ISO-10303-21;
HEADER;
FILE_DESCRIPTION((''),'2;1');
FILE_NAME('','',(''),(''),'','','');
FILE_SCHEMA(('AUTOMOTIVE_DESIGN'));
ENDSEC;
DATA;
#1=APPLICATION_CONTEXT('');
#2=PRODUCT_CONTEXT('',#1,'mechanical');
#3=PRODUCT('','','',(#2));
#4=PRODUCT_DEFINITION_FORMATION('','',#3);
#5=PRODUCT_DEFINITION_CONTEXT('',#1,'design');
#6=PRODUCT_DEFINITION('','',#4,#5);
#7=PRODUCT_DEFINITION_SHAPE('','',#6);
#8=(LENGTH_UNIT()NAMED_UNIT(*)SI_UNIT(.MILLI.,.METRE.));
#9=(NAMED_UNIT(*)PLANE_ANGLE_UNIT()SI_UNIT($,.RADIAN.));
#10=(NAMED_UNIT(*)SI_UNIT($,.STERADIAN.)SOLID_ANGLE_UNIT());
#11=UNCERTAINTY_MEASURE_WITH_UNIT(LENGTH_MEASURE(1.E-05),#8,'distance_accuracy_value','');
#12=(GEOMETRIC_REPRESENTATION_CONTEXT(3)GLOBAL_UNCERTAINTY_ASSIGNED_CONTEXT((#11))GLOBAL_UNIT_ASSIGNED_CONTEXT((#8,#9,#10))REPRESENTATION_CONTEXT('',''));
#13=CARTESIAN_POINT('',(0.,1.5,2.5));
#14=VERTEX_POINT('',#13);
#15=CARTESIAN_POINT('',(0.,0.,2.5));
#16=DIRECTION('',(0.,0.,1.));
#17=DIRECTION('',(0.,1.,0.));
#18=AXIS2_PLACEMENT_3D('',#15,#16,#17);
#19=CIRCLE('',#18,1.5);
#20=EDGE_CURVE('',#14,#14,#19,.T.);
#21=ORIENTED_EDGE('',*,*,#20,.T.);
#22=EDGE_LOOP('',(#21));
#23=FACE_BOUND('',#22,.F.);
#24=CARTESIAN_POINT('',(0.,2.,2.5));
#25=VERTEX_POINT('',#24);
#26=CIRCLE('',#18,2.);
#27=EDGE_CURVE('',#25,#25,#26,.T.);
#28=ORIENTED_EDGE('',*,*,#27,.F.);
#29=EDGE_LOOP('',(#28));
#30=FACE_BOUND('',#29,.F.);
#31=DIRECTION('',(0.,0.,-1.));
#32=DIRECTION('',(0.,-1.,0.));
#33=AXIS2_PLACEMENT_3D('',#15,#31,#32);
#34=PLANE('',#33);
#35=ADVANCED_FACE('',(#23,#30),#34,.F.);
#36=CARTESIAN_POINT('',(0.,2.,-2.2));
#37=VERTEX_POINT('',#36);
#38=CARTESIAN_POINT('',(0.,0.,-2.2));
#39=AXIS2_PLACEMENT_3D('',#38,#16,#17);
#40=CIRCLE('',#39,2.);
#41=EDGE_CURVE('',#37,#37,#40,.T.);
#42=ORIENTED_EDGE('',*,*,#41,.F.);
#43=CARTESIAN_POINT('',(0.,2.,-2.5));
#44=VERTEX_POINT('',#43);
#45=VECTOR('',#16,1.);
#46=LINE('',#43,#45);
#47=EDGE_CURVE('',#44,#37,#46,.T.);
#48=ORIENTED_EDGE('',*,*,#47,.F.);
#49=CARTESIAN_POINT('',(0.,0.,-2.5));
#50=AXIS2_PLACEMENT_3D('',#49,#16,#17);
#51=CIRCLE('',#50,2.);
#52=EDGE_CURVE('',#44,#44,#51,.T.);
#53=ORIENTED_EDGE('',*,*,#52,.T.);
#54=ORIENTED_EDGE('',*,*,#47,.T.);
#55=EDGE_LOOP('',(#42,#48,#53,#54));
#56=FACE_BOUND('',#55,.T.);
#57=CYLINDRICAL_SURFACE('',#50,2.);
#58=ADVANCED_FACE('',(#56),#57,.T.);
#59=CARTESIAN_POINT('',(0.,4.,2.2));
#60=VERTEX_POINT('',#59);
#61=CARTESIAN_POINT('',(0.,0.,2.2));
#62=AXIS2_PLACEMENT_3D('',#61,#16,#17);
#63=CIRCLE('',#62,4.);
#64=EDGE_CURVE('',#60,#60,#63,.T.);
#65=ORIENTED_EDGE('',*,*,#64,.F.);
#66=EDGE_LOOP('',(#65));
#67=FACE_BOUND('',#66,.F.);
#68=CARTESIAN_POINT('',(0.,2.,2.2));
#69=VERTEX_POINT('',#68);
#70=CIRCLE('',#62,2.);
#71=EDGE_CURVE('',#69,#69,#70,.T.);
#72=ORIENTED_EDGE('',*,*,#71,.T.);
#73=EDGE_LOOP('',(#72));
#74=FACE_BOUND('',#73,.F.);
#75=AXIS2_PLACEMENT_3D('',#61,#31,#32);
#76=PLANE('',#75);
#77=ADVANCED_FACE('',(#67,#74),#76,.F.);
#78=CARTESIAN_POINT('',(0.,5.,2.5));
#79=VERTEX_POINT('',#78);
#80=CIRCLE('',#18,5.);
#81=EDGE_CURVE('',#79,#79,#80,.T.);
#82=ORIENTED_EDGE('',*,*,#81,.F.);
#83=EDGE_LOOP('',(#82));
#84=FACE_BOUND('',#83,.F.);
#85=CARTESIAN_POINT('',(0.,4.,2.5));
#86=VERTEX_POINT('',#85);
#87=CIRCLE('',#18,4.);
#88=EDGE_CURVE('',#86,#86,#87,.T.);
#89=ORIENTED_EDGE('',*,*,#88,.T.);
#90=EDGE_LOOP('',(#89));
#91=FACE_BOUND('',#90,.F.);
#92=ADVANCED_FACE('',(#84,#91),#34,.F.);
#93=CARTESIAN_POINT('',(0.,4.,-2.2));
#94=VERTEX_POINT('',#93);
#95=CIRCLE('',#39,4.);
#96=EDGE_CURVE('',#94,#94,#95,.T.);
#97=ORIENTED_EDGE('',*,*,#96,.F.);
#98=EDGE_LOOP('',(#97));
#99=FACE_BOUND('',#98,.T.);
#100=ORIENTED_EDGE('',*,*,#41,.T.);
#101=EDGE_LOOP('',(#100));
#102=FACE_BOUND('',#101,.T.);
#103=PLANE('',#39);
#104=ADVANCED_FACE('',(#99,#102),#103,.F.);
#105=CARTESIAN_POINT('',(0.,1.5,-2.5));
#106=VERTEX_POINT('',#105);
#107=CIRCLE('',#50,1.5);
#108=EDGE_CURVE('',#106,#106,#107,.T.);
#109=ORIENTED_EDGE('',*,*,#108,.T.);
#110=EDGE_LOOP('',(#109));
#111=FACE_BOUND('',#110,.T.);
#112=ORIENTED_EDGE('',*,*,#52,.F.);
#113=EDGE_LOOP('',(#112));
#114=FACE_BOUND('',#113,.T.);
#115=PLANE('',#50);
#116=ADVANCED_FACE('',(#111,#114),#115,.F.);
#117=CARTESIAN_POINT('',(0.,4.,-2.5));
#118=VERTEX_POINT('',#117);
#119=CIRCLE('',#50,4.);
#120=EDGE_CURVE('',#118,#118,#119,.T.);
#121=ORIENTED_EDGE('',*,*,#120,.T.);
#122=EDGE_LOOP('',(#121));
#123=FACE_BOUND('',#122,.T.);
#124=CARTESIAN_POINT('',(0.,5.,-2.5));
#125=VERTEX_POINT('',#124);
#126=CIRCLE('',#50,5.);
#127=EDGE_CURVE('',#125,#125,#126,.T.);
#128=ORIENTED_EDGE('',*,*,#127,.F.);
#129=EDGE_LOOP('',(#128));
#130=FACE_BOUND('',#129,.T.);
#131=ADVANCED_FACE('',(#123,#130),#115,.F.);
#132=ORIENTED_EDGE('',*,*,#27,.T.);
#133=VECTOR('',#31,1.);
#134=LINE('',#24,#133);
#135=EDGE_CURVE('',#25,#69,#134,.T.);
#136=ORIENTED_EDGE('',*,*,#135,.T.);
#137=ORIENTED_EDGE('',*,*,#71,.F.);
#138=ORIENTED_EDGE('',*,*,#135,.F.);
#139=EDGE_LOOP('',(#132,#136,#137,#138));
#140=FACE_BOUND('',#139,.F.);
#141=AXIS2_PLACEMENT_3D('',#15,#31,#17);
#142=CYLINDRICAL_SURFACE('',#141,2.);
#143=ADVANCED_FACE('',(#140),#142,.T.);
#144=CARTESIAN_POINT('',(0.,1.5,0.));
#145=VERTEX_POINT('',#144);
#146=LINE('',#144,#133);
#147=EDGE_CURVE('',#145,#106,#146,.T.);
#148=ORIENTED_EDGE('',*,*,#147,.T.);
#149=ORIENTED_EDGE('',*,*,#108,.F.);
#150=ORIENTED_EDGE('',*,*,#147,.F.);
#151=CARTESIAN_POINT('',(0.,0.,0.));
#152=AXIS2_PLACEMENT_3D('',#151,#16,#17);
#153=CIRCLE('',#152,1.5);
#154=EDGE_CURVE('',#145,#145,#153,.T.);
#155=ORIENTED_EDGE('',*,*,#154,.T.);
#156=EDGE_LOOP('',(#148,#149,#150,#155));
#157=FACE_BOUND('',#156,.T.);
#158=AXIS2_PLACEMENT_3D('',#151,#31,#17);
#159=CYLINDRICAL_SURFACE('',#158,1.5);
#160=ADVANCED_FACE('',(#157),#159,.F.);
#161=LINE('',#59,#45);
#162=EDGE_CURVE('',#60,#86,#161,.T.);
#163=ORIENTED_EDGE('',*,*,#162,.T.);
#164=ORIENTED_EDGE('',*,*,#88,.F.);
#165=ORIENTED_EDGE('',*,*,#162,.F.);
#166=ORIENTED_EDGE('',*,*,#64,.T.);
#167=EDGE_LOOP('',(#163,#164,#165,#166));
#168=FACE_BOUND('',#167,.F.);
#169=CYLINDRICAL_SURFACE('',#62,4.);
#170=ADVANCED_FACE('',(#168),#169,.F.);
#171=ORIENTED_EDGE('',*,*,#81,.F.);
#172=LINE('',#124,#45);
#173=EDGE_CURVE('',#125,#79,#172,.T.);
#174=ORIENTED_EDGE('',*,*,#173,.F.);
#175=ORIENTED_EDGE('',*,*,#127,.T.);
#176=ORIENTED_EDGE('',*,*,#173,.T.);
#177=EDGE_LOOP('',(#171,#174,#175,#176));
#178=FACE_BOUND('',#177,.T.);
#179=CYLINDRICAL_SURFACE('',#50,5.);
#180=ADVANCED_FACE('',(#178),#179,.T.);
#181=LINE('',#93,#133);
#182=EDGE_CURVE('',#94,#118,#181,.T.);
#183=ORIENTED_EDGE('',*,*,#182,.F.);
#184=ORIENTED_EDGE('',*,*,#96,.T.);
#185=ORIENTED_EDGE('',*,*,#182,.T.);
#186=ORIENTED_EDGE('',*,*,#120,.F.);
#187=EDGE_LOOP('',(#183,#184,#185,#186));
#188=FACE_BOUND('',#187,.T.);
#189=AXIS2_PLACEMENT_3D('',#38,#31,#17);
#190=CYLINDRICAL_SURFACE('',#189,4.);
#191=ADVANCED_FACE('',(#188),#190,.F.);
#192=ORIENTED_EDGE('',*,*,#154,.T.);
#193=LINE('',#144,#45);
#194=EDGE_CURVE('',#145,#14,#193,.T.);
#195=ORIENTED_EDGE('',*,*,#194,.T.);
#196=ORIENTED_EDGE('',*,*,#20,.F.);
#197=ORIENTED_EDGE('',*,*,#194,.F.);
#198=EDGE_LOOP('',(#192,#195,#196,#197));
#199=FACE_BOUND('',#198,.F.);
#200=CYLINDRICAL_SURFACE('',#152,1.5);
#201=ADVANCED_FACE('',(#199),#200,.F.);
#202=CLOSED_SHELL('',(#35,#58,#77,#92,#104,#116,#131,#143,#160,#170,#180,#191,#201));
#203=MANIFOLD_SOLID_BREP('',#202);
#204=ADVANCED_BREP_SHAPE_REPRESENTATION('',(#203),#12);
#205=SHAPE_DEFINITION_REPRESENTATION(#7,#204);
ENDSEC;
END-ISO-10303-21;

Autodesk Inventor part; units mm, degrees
ref_plane "YZ Plane" through (0, 0, 0) normal (1, 0, 0) x (0, 1, 0)
ref_plane "XZ Plane" through (0, 0, 0) normal (0, 1, 0) x (-1, 0, 0)
ref_plane "XY Plane" through (0, 0, 0) normal (0, 0, 1) x (1, 0, 0)
sketch "Sketch1" plane through (0, 0, 0) normal (1, 0, 0) x (0, 1, 0)
  line L0 (5, 0) -> (1.5, 0)
  line L1 (1.5, 0) -> (1.5, -2.5)
  line L2 (5, -2.5) -> (5, 0)
  line L3 (-1, 0) -> (6, 0) projected
  line L4 (0, -3) -> (0, 0.5) projected
  line L5 (1.5, -2.5) -> (2, -2.5)
  line L6 (2, -2.5) -> (2, -2.2)
  line L7 (2, -2.2) -> (4, -2.2)
  line L8 (4, -2.2) -> (4, -2.5)
  line L9 (4, -2.5) -> (5, -2.5)
  point P0 (0, 0)
  point P1 (4, -2.35)
  point P2 (2, -2.35)
  dimension "d1" = 5
  dimension "d2" = 1.5
  dimension "d5" = 2.2
  dimension "d6" = 1
  dimension "d7" = 0.5
  dimension "d9" = 2.5
revolve "Revolution1" add sketch "Sketch1" angle 360 about axis through (0, 0, -10) along (0, 0, 1)
mirror "Mirror1" about plane through (0, 0, 0) normal (0, 0, 1) of "Revolution1"
properties part number "Bearing_BS69310-5"
